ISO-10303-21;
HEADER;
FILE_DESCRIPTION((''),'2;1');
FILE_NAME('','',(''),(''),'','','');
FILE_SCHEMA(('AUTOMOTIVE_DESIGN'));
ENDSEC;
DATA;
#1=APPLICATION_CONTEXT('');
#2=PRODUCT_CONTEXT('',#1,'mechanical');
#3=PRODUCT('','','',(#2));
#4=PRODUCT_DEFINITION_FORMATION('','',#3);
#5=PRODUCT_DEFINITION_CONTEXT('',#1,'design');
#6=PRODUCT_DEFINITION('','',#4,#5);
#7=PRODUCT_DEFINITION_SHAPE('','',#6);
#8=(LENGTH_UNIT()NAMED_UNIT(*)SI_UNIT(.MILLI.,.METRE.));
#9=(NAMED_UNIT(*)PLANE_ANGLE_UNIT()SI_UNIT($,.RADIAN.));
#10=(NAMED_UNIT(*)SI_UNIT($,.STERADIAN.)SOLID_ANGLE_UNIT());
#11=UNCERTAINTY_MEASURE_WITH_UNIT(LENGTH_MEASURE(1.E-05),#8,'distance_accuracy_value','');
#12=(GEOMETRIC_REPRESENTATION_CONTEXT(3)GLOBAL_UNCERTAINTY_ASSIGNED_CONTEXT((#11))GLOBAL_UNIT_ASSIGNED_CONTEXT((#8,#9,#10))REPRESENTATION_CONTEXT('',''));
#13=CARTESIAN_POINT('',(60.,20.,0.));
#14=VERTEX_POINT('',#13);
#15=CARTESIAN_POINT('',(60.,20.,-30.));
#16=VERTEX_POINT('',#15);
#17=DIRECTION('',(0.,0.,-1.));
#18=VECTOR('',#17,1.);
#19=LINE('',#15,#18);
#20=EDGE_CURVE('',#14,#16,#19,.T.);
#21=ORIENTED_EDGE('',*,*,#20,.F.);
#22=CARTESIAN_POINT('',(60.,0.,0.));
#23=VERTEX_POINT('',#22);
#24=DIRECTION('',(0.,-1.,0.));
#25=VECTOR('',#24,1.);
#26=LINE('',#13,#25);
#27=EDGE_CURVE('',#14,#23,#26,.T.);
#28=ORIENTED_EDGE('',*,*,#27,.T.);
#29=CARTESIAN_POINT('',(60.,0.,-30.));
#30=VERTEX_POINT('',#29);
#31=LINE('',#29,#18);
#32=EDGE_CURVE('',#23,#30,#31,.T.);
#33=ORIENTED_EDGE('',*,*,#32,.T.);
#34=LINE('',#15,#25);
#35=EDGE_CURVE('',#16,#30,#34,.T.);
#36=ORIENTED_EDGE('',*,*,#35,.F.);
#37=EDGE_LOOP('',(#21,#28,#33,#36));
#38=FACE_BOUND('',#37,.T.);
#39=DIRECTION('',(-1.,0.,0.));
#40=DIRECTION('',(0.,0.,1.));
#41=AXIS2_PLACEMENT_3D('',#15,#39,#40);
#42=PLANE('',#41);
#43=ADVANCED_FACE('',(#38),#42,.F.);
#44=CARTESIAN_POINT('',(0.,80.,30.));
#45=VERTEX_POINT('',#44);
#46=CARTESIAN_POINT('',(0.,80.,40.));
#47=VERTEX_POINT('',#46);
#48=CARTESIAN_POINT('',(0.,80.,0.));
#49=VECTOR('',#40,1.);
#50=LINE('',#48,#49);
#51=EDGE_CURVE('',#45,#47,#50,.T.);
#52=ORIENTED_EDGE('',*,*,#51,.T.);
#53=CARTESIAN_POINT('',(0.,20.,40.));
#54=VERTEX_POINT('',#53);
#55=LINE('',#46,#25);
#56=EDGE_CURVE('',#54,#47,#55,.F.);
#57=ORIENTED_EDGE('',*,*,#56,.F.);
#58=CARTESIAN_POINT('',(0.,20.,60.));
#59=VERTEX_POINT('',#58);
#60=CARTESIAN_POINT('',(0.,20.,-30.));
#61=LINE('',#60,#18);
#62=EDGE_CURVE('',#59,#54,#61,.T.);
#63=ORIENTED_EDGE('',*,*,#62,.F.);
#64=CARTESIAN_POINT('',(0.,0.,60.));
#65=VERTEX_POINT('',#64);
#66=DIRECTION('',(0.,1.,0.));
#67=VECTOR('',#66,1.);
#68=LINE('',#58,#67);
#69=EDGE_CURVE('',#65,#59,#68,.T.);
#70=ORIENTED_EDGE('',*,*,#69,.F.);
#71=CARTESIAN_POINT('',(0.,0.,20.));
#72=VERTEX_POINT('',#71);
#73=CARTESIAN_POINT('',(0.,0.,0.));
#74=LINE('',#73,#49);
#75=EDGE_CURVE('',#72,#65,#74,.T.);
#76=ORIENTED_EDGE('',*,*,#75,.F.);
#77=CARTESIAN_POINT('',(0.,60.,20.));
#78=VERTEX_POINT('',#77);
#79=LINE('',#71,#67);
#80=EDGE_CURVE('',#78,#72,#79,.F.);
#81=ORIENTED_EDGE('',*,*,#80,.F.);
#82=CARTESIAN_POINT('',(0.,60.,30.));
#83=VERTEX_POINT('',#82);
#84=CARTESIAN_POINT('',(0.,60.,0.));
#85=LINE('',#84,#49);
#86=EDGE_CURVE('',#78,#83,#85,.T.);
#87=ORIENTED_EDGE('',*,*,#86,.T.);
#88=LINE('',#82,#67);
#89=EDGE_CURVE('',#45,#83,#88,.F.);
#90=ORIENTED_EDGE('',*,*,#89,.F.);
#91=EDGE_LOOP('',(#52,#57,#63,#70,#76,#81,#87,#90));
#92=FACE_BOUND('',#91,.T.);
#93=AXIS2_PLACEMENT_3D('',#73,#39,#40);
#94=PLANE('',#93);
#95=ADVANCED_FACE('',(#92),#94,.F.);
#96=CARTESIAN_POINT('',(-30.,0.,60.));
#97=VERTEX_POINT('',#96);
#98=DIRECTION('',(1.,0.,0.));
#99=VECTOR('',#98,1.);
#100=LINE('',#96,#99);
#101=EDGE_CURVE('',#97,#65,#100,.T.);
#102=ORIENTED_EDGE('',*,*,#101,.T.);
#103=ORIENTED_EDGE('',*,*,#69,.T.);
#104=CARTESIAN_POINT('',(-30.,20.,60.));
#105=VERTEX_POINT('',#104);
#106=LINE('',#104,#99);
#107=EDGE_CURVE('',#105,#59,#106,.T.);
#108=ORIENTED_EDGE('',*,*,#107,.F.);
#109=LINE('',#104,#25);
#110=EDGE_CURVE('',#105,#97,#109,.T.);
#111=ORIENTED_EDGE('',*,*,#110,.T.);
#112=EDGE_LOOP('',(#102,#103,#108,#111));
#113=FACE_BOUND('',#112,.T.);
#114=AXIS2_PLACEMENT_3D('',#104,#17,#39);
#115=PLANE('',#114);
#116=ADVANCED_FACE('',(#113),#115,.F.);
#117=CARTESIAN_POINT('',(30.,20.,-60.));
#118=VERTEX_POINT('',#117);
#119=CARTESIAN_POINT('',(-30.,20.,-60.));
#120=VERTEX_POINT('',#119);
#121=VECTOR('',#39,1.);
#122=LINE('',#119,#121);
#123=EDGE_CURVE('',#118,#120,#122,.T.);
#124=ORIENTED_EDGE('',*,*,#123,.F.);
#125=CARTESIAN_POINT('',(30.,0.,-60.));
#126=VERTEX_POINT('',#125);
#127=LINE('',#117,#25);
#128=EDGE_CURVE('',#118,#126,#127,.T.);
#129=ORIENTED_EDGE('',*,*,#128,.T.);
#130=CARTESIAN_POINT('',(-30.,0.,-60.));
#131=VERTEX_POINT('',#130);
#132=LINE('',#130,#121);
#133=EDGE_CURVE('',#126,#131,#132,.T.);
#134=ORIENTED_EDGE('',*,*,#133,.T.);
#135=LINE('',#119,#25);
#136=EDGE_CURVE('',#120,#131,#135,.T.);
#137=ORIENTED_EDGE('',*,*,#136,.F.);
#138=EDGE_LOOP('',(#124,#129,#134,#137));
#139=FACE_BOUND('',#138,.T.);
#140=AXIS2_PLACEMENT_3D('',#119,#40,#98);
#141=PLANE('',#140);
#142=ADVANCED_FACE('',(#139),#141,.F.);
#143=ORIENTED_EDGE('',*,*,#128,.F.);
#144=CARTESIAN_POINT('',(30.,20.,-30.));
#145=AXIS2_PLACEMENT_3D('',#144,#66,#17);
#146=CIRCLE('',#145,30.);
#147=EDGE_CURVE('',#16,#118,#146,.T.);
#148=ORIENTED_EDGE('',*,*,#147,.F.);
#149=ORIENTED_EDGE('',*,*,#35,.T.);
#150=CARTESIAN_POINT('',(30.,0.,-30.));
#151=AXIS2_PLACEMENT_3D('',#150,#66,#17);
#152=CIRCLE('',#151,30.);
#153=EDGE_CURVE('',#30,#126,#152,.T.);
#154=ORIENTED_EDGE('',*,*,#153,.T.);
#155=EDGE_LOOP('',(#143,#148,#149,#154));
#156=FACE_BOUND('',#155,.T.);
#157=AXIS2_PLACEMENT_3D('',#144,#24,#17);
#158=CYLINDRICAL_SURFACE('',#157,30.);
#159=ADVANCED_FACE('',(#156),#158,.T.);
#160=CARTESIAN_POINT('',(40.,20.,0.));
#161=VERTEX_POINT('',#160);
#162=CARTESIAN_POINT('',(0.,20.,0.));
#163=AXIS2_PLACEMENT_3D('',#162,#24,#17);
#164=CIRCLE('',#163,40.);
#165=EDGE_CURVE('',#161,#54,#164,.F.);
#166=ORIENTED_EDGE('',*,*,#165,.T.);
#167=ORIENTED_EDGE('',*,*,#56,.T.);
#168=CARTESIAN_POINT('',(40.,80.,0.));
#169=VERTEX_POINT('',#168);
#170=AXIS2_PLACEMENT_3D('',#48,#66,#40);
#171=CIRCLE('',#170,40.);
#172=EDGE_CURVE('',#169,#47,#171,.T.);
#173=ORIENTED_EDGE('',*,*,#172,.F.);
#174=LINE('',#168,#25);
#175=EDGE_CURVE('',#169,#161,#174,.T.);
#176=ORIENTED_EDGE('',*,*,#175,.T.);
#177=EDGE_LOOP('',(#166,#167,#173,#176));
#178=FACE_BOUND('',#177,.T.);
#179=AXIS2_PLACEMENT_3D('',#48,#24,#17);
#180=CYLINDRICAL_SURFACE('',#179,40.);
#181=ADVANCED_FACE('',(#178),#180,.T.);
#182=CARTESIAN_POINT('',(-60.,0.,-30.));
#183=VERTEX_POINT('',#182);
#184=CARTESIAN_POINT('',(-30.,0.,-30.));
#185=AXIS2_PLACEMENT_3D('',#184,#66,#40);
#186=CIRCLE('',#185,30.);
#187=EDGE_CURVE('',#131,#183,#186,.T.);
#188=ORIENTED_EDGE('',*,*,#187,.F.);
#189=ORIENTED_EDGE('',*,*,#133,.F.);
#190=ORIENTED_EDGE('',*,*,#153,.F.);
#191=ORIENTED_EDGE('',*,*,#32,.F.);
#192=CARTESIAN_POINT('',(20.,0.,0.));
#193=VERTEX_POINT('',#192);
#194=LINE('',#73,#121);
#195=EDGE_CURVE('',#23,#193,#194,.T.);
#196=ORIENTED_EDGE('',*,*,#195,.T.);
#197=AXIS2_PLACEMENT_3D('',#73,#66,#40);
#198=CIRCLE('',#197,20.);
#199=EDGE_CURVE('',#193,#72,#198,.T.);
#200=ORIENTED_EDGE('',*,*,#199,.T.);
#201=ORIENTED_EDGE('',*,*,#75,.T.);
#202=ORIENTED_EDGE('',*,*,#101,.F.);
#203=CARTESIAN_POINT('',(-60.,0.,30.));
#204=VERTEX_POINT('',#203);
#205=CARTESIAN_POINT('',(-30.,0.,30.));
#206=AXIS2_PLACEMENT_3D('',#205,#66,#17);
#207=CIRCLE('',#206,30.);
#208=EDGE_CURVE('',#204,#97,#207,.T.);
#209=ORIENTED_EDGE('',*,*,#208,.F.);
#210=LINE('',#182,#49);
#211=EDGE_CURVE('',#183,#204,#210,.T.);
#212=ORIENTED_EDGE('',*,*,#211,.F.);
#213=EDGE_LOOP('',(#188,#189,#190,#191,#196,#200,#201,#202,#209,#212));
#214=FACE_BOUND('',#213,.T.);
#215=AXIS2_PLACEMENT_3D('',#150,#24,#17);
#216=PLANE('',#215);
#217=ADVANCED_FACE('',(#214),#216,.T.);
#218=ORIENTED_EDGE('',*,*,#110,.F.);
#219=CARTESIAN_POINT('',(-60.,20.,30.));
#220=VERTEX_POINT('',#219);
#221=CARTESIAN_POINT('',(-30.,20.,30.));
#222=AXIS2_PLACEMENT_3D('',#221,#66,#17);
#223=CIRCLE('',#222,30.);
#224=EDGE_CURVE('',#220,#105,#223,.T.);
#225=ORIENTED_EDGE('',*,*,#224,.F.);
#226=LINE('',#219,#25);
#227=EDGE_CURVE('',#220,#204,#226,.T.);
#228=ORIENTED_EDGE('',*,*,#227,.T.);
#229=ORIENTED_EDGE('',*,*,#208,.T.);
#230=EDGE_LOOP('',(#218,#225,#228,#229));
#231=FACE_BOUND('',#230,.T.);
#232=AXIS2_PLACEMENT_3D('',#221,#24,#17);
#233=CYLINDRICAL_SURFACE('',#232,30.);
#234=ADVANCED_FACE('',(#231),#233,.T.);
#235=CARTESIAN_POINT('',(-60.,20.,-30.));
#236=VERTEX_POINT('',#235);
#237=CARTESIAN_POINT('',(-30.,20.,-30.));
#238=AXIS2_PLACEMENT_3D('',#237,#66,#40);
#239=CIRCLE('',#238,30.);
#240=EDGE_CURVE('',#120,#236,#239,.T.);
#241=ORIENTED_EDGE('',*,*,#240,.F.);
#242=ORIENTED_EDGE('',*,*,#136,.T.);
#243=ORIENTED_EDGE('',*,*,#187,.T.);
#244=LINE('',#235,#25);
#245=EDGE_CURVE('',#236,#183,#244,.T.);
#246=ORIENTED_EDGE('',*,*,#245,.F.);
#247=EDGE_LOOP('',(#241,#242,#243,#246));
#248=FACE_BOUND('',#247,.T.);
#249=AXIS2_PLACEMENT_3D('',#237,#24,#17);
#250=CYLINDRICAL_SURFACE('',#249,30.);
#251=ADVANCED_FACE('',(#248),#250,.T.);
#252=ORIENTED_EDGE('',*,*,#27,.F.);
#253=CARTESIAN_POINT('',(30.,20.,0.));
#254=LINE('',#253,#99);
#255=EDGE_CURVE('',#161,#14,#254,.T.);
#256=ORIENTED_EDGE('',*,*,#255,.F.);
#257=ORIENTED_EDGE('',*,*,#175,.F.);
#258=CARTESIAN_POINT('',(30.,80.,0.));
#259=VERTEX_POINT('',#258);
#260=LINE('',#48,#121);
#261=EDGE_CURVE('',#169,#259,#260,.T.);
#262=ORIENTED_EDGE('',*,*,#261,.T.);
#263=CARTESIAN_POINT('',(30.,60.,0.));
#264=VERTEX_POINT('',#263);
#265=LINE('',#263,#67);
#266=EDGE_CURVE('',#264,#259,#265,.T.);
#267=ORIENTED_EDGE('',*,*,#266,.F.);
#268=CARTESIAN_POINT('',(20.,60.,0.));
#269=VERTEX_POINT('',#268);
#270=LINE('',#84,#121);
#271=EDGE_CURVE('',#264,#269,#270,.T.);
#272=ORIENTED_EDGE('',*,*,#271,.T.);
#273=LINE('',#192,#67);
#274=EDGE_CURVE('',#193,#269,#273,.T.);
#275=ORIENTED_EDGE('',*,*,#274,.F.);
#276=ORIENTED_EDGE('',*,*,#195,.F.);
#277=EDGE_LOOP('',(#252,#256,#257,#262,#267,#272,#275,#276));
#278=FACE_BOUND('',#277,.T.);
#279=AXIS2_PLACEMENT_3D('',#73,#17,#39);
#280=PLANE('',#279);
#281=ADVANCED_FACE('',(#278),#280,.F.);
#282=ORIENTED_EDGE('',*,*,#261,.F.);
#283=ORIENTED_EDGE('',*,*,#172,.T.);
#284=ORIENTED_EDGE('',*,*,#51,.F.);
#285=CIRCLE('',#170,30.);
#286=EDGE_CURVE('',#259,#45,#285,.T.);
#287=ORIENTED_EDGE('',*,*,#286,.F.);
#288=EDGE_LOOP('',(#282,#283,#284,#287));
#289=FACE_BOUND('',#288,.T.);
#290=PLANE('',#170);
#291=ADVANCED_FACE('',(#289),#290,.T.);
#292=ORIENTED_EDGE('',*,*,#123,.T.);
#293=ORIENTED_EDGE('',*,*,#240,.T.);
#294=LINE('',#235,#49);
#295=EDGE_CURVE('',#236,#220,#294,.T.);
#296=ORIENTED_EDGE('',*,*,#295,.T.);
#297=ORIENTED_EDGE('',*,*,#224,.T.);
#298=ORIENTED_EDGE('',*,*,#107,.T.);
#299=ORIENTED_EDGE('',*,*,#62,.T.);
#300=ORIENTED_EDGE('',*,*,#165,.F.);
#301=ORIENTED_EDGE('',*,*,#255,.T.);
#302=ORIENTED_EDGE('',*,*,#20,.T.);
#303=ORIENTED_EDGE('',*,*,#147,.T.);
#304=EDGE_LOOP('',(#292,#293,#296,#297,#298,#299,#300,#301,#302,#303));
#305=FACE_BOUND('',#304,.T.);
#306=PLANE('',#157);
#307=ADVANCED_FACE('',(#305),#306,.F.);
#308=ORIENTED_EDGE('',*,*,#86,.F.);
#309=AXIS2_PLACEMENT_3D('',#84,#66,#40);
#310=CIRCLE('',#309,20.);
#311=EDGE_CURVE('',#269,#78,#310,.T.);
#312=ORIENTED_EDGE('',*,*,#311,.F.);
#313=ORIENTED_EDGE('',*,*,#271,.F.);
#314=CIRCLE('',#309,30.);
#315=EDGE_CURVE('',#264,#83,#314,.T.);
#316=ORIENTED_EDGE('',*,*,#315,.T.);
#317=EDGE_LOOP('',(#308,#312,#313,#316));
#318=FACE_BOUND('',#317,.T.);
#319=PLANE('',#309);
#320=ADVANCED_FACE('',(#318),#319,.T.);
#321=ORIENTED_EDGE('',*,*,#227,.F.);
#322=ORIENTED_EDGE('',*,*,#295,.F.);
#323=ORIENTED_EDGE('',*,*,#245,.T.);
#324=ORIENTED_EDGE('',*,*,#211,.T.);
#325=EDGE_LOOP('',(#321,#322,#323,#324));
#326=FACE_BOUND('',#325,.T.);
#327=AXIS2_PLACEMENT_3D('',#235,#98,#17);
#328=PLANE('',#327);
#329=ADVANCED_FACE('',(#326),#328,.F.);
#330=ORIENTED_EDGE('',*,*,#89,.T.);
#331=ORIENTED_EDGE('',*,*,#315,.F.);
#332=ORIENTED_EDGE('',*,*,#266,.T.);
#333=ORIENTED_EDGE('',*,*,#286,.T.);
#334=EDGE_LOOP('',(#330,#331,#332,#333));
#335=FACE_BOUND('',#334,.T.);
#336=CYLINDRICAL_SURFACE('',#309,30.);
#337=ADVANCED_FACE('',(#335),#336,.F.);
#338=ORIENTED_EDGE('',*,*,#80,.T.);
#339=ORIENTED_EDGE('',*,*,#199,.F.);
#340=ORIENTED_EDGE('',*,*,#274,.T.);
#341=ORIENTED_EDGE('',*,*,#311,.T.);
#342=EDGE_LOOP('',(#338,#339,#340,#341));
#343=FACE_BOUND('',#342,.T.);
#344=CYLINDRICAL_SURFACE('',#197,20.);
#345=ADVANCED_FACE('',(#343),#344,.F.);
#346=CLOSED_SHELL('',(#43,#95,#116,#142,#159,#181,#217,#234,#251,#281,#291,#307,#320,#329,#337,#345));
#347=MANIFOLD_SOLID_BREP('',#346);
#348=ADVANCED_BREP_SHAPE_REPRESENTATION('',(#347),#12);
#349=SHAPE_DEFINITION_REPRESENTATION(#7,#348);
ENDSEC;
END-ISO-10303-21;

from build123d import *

# Parameters (mm, degrees)
SALIENTE_EXTRUIR1_DEPTH = 20
CROQUIS2_R              = 40
SALIENTE_EXTRUIR2_DEPTH = 60
CROQUIS3_R              = 30
CORTAR_EXTRUIR1_DEPTH   = 20
CROQUIS4_R              = 20
CORTAR_EXTRUIR2_DEPTH   = 104.923048454
CROQUIS6_W              = 71.704078793
CROQUIS6_H              = 65.206875147
CORTAR_EXTRUIR4_DEPTH   = 117.619037897


with BuildPart() as part:
    # Croquis1 → Saliente-Extruir1 (new body)
    with BuildSketch(Plane(origin=(0, 0, 0), x_dir=(1, 0, 0), z_dir=(0, 1, 0))):
        with BuildLine():
            Line((-30, 60), (30, 60))
            ThreePointArc((30, 60), (51.213203436, 51.213203436), (60, 30))
            Line((60, 30), (60, -30))
            ThreePointArc((60, -30), (51.213203436, -51.213203436), (30, -60))
            Line((30, -60), (-30, -60))
            ThreePointArc((-30, -60), (-51.213203436, -51.213203436), (-60, -30))
            Line((-60, -30), (-60, 30))
            ThreePointArc((-60, 30), (-51.213203436, 51.213203436), (-30, 60))
        make_face()
    extrude(amount=SALIENTE_EXTRUIR1_DEPTH)

    # Croquis2 → Saliente-Extruir2 (add)
    with BuildSketch(Plane(origin=(0, 20, 0), x_dir=(1, 0, 0), z_dir=(0, 1, 0))):
        with Locations(Location((0, 0, 0), (0, 0, 90))):
            Circle(CROQUIS2_R)
    extrude(amount=SALIENTE_EXTRUIR2_DEPTH)

    # Croquis3 → Cortar-Extruir1 (cut)
    with BuildSketch(Plane(origin=(0, 80, 0), x_dir=(1, 0, 0), z_dir=(0, 1, 0))):
        with Locations(Location((0, 0, 0), (0, 0, 270))):
            Circle(CROQUIS3_R)
    extrude(amount=-CORTAR_EXTRUIR1_DEPTH, mode=Mode.SUBTRACT)

    # Croquis4 → Cortar-Extruir2 (cut, through all)
    with BuildSketch(Plane(origin=(0, 60, 0), x_dir=(1, 0, 0), z_dir=(0, 1, 0))):
        with Locations(Location((0, 0, 0), (0, 0, 270))):
            Circle(CROQUIS4_R)
    extrude(amount=-CORTAR_EXTRUIR2_DEPTH, mode=Mode.SUBTRACT)

    # Croquis6 → Cortar-Extruir4 (cut, through all)
    with BuildSketch(Plane(origin=(0, 80, 0), x_dir=(1, 0, 0), z_dir=(0, 1, 0))):
        with Locations((35.852039397, -32.603437574)):
            Rectangle(CROQUIS6_W, CROQUIS6_H)
    extrude(amount=-CORTAR_EXTRUIR4_DEPTH, mode=Mode.SUBTRACT)


solid = part.part
